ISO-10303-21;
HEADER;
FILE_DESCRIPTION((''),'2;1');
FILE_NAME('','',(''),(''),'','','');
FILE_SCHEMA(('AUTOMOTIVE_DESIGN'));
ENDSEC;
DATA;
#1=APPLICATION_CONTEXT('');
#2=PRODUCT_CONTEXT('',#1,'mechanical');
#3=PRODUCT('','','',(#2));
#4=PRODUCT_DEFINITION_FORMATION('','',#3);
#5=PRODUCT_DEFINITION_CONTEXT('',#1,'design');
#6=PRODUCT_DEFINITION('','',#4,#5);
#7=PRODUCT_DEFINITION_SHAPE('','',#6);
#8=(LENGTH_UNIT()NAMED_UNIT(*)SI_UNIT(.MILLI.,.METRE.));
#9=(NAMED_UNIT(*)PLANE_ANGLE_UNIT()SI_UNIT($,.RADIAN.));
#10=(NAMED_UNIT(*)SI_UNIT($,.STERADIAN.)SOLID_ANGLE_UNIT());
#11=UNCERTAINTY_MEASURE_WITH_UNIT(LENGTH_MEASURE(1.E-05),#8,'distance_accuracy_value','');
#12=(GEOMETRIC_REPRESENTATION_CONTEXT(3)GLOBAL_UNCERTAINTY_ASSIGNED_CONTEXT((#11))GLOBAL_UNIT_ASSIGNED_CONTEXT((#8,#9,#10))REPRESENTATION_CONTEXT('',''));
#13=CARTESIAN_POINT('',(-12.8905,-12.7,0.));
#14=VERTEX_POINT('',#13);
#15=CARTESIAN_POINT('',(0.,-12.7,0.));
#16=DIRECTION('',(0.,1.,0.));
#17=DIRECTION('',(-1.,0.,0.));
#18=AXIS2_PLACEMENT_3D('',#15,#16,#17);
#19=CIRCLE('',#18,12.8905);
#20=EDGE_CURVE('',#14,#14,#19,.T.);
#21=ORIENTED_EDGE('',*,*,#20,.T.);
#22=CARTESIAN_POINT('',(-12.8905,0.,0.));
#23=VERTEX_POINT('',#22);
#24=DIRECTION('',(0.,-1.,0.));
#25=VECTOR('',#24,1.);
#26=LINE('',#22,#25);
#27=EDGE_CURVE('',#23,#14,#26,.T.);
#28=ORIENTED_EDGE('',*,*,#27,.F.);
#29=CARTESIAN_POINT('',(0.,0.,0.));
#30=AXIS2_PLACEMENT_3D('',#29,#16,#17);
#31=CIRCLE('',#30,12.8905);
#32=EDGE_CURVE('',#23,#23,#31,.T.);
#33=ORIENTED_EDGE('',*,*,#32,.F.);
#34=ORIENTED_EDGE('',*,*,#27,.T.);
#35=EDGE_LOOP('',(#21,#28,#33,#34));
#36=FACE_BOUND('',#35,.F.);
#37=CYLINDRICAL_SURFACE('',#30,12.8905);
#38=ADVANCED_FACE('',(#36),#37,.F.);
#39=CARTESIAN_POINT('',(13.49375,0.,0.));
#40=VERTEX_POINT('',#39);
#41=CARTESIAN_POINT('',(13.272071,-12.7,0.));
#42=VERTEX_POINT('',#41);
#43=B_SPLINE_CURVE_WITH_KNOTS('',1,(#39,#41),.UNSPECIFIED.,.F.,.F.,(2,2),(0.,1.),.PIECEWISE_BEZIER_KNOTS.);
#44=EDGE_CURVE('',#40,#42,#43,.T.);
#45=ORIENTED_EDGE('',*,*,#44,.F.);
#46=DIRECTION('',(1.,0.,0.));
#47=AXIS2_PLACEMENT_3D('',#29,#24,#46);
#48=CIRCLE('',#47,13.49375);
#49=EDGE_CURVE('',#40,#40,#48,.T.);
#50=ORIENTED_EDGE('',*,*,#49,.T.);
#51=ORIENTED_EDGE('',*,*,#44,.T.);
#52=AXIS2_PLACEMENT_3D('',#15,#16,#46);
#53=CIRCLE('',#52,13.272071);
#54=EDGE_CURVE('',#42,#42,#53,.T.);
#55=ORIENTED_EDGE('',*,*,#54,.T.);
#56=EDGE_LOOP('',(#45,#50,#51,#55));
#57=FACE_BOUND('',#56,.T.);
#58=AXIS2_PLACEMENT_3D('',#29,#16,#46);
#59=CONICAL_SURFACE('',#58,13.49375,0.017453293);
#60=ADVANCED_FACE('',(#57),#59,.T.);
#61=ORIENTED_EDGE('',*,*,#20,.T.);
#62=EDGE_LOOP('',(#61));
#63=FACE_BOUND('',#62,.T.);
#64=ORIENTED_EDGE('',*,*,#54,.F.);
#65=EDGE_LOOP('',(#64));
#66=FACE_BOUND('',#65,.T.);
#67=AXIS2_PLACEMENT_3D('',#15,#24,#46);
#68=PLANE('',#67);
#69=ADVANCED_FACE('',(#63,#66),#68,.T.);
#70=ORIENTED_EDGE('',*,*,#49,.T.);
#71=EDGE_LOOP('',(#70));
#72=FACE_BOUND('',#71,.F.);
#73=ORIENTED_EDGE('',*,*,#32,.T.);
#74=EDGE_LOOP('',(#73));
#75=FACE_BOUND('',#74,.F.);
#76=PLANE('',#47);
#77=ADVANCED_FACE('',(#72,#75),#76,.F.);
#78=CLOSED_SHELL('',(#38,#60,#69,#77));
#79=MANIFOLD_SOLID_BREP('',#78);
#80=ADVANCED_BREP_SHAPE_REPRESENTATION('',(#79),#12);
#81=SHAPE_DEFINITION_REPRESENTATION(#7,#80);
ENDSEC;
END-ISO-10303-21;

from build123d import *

# Parameters (mm, degrees)
F0_R     = 13.49375
F1_DEPTH = 12.7
F1_TAPER = 1
F3_R     = 12.8905
F4_DEPTH = 25.4


with BuildPart() as f1:
    # F0 (on Front) → F1 (new body)
    with BuildSketch(Plane.XZ):
        Circle(F0_R)
    extrude(amount=F1_DEPTH, taper=F1_TAPER)

    # F3 (on face) → F4 (cut)
    with BuildSketch(Plane(origin=(0, 0, 0), x_dir=(-1, 0, 0), z_dir=(0, 1, 0))):
        Circle(F3_R)
    extrude(amount=-F4_DEPTH, mode=Mode.SUBTRACT)


solid = f1.part
